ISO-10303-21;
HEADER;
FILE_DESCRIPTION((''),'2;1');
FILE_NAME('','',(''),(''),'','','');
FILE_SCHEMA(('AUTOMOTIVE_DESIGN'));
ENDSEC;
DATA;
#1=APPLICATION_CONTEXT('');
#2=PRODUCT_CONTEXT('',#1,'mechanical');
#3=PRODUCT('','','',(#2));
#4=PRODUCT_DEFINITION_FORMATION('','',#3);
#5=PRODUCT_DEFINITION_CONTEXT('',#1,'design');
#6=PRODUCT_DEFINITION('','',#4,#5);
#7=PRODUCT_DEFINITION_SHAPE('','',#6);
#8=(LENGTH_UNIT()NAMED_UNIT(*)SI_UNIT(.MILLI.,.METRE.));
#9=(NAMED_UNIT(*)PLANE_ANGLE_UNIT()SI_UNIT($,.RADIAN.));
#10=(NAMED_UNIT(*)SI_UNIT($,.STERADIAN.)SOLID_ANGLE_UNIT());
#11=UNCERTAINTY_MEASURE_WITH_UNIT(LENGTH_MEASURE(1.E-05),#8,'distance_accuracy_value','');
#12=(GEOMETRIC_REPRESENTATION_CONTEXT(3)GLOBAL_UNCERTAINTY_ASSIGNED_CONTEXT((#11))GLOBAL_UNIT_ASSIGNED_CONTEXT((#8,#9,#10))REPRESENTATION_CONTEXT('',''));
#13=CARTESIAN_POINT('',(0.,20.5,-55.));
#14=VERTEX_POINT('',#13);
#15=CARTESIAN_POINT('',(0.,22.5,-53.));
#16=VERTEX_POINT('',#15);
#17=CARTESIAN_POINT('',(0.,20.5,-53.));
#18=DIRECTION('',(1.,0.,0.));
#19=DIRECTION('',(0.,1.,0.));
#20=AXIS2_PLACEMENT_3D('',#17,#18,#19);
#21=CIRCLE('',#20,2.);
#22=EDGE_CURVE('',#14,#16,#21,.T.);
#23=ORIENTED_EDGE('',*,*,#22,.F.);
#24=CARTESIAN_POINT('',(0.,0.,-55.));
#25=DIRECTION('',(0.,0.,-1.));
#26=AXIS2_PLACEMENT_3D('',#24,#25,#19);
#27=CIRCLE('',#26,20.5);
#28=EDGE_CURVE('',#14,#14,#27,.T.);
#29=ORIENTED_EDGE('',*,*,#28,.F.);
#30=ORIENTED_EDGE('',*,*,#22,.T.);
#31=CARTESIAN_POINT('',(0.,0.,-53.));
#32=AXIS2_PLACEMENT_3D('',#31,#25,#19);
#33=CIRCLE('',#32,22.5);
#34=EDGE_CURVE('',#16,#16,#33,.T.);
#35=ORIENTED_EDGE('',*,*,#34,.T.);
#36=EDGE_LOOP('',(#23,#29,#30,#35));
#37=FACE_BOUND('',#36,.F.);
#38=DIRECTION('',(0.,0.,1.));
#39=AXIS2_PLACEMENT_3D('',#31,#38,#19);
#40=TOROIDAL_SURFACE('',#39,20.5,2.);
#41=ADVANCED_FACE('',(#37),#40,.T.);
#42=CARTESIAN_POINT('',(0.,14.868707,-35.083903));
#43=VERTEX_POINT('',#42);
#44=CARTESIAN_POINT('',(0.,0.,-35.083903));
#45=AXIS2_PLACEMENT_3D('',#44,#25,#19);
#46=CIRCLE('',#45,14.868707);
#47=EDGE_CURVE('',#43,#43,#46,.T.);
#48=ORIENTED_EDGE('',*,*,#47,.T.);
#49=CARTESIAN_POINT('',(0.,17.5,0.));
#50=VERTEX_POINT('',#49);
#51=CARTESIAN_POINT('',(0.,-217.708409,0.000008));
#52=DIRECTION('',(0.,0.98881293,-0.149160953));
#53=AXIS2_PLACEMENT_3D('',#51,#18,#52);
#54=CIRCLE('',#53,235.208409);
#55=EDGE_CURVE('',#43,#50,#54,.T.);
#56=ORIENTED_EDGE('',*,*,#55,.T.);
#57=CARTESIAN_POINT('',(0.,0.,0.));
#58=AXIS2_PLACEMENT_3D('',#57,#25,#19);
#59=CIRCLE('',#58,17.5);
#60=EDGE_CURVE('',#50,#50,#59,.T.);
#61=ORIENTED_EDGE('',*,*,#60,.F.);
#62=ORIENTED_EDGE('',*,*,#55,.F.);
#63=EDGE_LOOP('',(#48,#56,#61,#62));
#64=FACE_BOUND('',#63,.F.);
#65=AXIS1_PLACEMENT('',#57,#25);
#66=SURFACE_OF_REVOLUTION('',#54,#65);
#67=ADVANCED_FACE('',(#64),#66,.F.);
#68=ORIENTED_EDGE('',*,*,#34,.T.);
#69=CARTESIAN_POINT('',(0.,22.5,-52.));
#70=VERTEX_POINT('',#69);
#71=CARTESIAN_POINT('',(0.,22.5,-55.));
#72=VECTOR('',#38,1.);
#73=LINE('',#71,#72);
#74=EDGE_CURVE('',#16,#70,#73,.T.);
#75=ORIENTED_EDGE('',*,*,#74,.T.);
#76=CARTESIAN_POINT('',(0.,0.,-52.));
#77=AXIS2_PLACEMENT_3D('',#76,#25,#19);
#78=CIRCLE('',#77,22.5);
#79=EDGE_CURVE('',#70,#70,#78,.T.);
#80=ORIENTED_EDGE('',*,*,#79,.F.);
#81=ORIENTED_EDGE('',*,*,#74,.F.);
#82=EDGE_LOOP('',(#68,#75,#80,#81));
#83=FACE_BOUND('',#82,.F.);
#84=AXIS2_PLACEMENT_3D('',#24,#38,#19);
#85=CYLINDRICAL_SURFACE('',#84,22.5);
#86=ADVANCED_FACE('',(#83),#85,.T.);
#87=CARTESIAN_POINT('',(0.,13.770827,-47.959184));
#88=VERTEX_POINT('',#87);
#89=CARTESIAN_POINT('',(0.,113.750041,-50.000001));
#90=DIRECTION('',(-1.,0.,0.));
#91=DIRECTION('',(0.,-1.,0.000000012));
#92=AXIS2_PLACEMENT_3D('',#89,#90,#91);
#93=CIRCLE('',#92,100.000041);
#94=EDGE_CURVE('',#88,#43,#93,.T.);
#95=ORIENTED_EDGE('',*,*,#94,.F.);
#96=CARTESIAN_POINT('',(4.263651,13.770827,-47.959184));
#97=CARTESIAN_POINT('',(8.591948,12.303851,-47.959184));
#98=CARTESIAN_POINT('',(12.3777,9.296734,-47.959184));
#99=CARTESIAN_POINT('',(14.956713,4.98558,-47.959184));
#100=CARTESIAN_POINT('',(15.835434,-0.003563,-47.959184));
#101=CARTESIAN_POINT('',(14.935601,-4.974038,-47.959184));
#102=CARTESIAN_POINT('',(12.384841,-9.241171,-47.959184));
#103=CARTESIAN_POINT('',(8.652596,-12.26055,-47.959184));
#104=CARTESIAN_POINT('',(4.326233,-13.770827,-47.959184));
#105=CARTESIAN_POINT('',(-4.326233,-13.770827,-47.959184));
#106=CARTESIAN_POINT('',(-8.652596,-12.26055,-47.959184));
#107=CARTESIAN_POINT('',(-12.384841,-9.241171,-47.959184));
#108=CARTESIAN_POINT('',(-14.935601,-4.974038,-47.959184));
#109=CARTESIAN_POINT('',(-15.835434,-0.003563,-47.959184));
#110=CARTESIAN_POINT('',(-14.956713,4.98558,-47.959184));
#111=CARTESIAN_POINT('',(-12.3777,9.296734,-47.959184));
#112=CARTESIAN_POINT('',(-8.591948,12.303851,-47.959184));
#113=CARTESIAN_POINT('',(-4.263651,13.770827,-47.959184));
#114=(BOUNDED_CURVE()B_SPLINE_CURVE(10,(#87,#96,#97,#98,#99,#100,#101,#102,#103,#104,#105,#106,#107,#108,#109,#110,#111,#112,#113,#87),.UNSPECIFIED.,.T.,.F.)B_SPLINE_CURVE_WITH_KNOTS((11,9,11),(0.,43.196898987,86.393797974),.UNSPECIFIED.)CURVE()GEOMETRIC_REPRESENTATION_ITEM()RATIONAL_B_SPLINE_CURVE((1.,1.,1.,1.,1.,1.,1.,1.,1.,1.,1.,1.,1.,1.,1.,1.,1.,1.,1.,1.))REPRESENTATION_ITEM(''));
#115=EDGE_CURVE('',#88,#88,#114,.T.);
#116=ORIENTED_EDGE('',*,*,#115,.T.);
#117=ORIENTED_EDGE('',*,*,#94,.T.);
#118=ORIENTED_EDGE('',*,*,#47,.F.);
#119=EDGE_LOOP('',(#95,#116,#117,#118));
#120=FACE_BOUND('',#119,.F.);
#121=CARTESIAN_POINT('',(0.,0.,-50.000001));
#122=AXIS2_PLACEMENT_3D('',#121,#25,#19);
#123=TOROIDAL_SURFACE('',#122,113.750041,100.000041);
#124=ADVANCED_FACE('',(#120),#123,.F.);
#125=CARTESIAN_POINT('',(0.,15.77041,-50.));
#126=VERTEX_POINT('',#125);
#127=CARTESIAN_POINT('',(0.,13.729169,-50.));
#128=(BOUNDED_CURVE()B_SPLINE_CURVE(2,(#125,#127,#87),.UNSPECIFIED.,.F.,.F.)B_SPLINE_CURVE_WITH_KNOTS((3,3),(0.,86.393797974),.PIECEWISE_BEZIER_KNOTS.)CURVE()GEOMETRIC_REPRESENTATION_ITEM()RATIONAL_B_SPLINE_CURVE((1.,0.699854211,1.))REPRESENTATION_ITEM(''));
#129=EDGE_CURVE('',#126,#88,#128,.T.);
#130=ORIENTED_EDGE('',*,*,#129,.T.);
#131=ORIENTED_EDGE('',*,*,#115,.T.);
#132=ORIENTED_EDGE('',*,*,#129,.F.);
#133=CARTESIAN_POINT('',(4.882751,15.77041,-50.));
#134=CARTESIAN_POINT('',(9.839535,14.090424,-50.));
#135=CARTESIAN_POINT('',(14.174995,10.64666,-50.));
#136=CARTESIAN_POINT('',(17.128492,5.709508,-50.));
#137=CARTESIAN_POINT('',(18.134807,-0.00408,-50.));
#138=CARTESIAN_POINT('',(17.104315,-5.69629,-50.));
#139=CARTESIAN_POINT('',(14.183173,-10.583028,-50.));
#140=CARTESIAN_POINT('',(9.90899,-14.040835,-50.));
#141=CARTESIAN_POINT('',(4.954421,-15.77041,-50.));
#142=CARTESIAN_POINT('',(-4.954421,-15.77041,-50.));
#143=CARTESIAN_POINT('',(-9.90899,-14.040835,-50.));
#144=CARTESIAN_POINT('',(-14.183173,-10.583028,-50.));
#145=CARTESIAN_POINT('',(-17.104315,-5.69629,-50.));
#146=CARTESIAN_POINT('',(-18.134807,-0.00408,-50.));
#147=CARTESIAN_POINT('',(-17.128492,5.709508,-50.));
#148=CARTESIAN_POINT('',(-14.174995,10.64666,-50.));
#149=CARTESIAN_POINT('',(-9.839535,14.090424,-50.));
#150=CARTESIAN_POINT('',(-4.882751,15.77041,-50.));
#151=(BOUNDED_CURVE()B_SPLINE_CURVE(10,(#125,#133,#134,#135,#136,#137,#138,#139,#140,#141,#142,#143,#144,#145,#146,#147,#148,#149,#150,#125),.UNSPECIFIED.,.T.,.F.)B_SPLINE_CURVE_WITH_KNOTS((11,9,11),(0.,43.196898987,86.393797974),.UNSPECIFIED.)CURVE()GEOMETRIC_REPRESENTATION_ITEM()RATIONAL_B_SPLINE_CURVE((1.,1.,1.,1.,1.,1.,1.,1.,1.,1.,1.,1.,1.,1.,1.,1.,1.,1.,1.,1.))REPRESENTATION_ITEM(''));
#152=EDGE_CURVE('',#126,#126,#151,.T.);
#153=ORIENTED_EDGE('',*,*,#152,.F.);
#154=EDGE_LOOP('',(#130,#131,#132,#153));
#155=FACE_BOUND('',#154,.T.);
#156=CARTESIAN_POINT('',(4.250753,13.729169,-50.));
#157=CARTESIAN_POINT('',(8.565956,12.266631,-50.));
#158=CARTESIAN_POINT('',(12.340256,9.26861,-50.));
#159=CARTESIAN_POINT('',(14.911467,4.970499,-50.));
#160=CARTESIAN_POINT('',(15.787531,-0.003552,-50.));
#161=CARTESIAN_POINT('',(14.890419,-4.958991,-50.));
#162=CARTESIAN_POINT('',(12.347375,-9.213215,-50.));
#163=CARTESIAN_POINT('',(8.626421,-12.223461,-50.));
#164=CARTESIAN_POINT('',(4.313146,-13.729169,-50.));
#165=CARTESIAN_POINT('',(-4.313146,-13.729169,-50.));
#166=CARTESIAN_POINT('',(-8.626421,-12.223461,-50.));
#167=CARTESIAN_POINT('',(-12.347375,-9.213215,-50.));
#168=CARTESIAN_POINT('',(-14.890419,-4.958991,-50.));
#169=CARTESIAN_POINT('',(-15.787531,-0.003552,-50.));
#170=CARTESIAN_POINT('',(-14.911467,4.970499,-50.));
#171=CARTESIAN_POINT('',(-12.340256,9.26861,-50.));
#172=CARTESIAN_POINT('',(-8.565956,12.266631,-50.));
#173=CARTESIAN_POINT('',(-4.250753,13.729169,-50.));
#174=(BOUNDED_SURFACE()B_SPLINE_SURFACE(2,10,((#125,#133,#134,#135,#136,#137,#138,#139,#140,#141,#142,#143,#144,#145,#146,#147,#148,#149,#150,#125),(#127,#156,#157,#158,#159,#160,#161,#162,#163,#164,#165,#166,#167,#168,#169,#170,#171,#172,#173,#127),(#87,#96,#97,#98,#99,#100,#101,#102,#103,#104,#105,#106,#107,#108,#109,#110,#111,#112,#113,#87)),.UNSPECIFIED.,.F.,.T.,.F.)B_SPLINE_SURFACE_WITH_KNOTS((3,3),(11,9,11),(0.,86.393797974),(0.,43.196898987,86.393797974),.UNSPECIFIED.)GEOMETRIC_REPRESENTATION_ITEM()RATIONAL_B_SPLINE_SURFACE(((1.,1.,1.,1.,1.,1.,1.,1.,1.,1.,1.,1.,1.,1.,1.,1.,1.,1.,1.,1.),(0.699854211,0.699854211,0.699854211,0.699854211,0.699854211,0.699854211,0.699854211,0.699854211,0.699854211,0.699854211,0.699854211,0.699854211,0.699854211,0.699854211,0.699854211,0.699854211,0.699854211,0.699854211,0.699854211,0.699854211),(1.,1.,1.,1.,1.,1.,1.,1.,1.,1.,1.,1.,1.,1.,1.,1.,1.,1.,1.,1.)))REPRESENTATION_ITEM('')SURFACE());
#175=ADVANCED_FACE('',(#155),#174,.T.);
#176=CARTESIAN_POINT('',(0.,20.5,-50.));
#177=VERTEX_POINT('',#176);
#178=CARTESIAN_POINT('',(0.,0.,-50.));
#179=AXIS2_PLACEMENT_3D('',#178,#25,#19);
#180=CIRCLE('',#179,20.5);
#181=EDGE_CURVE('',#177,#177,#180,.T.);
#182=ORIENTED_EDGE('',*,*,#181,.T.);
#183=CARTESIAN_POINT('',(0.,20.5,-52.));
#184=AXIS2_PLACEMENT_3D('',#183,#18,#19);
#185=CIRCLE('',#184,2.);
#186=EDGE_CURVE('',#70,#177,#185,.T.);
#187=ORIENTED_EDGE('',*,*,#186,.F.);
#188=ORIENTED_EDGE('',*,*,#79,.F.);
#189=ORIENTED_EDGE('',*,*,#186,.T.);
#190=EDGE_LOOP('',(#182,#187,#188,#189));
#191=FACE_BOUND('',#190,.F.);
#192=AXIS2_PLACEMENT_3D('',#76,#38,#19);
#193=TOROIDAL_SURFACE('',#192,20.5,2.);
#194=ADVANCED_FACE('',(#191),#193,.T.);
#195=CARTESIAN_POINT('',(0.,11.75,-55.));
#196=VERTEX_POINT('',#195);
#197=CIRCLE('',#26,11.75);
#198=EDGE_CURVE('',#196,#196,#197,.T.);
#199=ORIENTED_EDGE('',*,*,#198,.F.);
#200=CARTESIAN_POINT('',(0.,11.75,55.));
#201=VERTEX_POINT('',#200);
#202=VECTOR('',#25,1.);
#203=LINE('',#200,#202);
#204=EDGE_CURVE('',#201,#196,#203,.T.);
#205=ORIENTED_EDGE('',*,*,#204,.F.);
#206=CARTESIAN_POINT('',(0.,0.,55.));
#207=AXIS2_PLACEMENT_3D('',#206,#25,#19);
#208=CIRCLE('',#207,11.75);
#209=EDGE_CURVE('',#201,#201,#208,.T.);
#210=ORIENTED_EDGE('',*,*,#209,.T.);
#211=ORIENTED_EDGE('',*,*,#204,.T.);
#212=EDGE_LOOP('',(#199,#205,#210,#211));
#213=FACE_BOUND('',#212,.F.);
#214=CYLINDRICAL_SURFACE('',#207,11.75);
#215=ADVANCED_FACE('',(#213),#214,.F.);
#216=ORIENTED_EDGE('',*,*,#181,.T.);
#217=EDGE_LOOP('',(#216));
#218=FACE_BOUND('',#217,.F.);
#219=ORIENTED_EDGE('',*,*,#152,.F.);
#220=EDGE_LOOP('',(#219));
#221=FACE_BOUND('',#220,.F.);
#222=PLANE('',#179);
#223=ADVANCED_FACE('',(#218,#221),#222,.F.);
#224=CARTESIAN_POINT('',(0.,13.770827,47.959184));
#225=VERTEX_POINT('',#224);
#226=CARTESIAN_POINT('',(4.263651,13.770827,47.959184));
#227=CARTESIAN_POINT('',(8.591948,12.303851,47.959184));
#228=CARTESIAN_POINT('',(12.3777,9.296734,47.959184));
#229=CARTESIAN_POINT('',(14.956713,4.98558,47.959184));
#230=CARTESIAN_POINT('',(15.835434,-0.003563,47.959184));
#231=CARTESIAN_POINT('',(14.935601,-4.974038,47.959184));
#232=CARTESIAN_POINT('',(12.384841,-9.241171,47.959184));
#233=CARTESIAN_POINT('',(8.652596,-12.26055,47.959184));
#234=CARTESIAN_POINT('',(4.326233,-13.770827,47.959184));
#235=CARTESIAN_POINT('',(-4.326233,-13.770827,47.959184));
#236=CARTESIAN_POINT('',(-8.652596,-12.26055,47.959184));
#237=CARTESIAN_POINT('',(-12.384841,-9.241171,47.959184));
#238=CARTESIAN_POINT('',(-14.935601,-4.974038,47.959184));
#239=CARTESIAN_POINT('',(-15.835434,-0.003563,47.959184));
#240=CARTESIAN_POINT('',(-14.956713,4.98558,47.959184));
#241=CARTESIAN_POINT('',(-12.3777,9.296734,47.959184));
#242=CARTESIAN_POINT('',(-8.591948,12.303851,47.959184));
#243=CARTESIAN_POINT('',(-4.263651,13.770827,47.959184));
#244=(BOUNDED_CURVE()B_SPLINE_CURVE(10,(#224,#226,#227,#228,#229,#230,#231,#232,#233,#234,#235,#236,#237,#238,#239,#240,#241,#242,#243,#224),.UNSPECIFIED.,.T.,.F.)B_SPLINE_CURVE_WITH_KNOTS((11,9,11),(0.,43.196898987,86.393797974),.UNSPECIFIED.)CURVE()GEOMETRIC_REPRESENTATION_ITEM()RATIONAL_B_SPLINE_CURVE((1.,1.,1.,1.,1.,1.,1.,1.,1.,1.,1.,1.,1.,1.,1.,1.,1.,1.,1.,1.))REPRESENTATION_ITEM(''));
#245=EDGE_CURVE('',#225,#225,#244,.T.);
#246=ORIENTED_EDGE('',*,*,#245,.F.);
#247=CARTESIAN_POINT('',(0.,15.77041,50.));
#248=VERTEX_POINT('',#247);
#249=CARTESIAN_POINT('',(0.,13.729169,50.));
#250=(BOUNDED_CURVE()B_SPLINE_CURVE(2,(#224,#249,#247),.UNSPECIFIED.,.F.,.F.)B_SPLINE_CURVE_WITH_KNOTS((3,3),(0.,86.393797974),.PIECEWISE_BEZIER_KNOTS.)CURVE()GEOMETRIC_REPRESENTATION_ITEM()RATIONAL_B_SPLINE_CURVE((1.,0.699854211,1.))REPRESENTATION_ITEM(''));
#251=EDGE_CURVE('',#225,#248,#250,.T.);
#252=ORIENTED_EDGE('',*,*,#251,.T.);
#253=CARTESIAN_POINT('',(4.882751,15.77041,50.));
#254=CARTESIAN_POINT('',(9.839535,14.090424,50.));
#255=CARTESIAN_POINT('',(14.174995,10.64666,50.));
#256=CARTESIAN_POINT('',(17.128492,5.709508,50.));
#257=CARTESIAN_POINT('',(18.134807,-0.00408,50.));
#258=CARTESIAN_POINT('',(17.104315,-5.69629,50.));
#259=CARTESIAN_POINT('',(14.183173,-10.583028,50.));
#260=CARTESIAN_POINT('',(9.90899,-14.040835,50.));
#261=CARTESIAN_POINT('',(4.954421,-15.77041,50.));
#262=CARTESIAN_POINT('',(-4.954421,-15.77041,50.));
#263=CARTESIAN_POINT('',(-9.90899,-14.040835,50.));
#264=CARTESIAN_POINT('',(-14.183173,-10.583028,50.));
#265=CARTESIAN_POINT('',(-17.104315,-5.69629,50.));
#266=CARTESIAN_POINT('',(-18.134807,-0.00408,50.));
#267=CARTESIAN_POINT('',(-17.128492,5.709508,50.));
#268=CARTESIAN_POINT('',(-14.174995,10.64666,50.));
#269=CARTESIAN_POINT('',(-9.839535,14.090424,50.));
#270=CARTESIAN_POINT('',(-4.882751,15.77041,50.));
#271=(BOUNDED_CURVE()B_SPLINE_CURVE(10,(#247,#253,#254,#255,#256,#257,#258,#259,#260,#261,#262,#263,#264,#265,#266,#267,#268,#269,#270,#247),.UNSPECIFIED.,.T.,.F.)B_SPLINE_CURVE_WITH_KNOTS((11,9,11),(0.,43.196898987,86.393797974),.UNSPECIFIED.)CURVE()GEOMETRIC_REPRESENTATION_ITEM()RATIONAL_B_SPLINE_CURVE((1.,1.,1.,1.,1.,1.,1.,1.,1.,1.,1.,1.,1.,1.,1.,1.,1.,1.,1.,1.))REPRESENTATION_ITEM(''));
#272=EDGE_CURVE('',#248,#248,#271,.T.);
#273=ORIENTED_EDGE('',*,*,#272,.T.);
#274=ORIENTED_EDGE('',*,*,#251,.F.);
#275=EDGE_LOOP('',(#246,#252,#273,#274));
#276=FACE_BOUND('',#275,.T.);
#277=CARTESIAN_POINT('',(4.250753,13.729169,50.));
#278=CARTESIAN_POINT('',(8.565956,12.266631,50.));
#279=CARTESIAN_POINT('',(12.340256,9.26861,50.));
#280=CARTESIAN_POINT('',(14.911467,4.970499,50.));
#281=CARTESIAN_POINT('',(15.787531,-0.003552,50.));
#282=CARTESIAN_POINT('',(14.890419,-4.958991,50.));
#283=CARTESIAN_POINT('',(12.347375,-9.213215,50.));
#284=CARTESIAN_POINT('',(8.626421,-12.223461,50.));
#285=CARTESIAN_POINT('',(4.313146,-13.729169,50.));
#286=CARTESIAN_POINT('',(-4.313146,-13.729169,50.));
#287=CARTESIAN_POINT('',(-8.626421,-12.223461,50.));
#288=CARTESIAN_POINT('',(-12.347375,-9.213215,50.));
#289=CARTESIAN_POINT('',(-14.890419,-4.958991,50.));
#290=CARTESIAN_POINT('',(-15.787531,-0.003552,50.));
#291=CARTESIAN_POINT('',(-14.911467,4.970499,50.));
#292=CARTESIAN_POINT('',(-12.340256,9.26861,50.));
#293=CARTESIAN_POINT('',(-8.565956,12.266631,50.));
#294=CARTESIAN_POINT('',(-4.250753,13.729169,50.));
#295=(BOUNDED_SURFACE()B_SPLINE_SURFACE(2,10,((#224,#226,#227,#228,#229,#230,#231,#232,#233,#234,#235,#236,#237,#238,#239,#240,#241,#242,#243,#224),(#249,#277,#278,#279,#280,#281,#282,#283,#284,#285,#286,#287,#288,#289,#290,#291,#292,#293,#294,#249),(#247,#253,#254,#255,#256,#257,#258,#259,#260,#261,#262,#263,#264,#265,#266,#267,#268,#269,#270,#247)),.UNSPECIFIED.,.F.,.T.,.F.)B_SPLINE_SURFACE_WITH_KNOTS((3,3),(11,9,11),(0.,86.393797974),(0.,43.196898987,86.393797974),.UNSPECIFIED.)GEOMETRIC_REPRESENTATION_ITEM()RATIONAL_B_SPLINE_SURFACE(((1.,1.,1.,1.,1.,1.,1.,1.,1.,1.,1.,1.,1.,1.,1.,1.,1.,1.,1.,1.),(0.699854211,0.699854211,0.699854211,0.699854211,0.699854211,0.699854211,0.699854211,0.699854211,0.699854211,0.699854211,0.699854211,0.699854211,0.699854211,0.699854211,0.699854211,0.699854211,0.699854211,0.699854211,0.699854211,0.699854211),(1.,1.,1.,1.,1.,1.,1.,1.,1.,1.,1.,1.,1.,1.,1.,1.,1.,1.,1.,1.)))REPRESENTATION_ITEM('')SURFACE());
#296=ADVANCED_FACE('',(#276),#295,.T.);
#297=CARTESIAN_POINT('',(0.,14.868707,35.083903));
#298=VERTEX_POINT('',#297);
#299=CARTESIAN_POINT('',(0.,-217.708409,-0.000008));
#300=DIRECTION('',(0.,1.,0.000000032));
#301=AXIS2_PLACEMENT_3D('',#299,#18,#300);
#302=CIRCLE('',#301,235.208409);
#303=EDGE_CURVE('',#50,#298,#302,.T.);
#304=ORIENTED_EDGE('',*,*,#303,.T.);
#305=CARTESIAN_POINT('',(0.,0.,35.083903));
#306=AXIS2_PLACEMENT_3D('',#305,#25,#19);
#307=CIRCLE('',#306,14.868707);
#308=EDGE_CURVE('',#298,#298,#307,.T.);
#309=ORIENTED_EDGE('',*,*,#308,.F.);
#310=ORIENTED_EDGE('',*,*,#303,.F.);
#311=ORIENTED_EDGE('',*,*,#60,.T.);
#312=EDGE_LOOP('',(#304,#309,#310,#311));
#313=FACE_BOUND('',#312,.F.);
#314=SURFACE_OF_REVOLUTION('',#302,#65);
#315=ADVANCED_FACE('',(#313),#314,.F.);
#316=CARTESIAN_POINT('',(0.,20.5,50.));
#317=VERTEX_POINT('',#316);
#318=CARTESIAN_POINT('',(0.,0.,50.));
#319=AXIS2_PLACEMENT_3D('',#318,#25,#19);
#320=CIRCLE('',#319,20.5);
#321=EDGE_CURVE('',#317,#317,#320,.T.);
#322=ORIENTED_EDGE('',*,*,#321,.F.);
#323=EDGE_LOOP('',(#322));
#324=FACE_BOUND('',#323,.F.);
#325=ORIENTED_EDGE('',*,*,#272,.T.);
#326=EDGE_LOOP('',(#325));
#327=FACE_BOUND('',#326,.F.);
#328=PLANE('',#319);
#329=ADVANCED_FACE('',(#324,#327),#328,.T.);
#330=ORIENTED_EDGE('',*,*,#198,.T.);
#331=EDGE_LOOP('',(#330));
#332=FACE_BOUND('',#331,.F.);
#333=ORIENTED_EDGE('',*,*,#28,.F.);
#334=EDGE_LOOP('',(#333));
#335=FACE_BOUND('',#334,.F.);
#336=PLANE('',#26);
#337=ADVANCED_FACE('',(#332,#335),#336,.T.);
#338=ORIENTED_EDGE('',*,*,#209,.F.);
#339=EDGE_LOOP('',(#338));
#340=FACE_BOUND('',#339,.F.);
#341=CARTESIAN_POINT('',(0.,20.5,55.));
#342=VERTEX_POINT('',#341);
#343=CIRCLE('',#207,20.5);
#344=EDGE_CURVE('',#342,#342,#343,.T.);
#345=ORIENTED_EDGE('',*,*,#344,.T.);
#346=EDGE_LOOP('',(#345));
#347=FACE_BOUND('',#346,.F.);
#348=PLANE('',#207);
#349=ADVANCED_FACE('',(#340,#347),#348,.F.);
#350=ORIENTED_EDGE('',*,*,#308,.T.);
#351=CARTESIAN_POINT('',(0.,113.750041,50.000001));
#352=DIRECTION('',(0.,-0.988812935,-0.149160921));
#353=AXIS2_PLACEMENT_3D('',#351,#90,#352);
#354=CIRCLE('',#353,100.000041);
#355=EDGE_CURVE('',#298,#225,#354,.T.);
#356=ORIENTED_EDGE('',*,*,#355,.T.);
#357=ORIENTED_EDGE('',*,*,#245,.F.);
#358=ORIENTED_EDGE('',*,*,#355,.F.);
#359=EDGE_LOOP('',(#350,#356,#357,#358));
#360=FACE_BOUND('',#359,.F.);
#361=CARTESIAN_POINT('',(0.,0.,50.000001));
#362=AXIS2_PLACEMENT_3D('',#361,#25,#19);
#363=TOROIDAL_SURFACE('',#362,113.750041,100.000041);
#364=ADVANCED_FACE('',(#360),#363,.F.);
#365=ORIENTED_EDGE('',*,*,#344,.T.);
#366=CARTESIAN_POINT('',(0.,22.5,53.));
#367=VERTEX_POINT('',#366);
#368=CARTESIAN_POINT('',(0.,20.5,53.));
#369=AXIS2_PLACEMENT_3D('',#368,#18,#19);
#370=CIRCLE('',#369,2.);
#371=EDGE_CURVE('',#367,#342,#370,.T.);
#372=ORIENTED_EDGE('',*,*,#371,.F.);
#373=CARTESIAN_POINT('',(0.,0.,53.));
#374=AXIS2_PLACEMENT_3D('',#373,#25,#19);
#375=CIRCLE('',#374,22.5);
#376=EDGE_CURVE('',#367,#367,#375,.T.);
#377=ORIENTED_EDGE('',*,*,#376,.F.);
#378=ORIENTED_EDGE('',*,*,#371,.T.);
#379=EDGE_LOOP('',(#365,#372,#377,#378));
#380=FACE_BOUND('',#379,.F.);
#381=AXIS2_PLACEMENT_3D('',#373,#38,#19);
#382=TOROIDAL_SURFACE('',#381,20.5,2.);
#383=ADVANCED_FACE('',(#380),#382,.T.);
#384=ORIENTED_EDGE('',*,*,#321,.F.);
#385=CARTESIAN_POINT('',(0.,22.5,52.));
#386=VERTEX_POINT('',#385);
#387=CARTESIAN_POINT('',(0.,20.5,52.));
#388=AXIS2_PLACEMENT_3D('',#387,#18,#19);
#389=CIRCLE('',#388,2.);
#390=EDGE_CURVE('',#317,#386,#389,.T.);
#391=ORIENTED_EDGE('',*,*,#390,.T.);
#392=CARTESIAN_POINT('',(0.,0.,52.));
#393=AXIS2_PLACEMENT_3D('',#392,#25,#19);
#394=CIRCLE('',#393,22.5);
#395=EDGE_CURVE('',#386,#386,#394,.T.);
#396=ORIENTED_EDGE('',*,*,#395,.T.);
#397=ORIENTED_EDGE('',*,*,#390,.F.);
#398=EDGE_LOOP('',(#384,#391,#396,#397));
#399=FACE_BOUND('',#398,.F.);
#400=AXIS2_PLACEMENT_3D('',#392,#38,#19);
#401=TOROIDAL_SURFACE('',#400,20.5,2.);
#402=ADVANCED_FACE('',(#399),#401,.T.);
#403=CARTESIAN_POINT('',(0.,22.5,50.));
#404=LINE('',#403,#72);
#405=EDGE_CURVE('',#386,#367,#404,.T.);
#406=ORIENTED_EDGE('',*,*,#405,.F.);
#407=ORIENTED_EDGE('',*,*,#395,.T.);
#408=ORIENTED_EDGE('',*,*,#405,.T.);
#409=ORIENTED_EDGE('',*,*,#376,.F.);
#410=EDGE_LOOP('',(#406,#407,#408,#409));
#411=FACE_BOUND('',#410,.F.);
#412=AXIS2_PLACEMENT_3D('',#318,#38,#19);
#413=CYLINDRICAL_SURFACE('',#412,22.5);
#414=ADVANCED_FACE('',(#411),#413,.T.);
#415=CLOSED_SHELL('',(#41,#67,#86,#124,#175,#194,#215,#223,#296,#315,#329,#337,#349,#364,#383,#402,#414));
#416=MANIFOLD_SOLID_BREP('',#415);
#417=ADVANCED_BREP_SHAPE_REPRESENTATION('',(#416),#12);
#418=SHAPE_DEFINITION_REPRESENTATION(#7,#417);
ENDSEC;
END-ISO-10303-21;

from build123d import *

# Parameters (mm, degrees)
F2_R = 2


with BuildPart() as f1:
    # F0 (on Right) → F1 (revolve)
    with BuildSketch(Plane.YZ):
        with BuildLine():
            Line((11.75, 15), (11.75, -55))
            Line((11.75, -55), (22.5, -55))
            Line((22.5, -55), (22.5, -50))
            Line((22.5, -50), (13.75, -50))
            ThreePointArc((13.75, -50), (14.030069, -42.521005), (14.868707, -35.083903))
            ThreePointArc((14.868707, -35.083903), (16.841254, -17.591219), (17.5, 0))
            ThreePointArc((17.5, 0), (16.841254, 17.591219), (14.868707, 35.083903))
            ThreePointArc((14.868707, 35.083903), (14.030069, 42.521005), (13.75, 50))
            Line((13.75, 50), (22.5, 50))
            Line((22.5, 50), (22.5, 55))
            Line((22.5, 55), (11.75, 55))
            Line((11.75, 55), (11.75, 15))
        make_face()
    revolve(axis=Axis((0, 0, 0), (0, 0, -1)))

    # F2
    f2_edges = [f1.edges().sort_by_distance(p)[0] for p in [
        (0, -22.5, 50),
        (0, -22.5, 55),
        (0, 22.5, 52.5),
        (0, -22.5, -55),
        (0, -22.5, -50),
        (0, 22.5, -52.5),
        (0, -13.75, 50),
        (0, -13.75, -50),
    ]]
    fillet(f2_edges, radius=F2_R)


solid = f1.part
